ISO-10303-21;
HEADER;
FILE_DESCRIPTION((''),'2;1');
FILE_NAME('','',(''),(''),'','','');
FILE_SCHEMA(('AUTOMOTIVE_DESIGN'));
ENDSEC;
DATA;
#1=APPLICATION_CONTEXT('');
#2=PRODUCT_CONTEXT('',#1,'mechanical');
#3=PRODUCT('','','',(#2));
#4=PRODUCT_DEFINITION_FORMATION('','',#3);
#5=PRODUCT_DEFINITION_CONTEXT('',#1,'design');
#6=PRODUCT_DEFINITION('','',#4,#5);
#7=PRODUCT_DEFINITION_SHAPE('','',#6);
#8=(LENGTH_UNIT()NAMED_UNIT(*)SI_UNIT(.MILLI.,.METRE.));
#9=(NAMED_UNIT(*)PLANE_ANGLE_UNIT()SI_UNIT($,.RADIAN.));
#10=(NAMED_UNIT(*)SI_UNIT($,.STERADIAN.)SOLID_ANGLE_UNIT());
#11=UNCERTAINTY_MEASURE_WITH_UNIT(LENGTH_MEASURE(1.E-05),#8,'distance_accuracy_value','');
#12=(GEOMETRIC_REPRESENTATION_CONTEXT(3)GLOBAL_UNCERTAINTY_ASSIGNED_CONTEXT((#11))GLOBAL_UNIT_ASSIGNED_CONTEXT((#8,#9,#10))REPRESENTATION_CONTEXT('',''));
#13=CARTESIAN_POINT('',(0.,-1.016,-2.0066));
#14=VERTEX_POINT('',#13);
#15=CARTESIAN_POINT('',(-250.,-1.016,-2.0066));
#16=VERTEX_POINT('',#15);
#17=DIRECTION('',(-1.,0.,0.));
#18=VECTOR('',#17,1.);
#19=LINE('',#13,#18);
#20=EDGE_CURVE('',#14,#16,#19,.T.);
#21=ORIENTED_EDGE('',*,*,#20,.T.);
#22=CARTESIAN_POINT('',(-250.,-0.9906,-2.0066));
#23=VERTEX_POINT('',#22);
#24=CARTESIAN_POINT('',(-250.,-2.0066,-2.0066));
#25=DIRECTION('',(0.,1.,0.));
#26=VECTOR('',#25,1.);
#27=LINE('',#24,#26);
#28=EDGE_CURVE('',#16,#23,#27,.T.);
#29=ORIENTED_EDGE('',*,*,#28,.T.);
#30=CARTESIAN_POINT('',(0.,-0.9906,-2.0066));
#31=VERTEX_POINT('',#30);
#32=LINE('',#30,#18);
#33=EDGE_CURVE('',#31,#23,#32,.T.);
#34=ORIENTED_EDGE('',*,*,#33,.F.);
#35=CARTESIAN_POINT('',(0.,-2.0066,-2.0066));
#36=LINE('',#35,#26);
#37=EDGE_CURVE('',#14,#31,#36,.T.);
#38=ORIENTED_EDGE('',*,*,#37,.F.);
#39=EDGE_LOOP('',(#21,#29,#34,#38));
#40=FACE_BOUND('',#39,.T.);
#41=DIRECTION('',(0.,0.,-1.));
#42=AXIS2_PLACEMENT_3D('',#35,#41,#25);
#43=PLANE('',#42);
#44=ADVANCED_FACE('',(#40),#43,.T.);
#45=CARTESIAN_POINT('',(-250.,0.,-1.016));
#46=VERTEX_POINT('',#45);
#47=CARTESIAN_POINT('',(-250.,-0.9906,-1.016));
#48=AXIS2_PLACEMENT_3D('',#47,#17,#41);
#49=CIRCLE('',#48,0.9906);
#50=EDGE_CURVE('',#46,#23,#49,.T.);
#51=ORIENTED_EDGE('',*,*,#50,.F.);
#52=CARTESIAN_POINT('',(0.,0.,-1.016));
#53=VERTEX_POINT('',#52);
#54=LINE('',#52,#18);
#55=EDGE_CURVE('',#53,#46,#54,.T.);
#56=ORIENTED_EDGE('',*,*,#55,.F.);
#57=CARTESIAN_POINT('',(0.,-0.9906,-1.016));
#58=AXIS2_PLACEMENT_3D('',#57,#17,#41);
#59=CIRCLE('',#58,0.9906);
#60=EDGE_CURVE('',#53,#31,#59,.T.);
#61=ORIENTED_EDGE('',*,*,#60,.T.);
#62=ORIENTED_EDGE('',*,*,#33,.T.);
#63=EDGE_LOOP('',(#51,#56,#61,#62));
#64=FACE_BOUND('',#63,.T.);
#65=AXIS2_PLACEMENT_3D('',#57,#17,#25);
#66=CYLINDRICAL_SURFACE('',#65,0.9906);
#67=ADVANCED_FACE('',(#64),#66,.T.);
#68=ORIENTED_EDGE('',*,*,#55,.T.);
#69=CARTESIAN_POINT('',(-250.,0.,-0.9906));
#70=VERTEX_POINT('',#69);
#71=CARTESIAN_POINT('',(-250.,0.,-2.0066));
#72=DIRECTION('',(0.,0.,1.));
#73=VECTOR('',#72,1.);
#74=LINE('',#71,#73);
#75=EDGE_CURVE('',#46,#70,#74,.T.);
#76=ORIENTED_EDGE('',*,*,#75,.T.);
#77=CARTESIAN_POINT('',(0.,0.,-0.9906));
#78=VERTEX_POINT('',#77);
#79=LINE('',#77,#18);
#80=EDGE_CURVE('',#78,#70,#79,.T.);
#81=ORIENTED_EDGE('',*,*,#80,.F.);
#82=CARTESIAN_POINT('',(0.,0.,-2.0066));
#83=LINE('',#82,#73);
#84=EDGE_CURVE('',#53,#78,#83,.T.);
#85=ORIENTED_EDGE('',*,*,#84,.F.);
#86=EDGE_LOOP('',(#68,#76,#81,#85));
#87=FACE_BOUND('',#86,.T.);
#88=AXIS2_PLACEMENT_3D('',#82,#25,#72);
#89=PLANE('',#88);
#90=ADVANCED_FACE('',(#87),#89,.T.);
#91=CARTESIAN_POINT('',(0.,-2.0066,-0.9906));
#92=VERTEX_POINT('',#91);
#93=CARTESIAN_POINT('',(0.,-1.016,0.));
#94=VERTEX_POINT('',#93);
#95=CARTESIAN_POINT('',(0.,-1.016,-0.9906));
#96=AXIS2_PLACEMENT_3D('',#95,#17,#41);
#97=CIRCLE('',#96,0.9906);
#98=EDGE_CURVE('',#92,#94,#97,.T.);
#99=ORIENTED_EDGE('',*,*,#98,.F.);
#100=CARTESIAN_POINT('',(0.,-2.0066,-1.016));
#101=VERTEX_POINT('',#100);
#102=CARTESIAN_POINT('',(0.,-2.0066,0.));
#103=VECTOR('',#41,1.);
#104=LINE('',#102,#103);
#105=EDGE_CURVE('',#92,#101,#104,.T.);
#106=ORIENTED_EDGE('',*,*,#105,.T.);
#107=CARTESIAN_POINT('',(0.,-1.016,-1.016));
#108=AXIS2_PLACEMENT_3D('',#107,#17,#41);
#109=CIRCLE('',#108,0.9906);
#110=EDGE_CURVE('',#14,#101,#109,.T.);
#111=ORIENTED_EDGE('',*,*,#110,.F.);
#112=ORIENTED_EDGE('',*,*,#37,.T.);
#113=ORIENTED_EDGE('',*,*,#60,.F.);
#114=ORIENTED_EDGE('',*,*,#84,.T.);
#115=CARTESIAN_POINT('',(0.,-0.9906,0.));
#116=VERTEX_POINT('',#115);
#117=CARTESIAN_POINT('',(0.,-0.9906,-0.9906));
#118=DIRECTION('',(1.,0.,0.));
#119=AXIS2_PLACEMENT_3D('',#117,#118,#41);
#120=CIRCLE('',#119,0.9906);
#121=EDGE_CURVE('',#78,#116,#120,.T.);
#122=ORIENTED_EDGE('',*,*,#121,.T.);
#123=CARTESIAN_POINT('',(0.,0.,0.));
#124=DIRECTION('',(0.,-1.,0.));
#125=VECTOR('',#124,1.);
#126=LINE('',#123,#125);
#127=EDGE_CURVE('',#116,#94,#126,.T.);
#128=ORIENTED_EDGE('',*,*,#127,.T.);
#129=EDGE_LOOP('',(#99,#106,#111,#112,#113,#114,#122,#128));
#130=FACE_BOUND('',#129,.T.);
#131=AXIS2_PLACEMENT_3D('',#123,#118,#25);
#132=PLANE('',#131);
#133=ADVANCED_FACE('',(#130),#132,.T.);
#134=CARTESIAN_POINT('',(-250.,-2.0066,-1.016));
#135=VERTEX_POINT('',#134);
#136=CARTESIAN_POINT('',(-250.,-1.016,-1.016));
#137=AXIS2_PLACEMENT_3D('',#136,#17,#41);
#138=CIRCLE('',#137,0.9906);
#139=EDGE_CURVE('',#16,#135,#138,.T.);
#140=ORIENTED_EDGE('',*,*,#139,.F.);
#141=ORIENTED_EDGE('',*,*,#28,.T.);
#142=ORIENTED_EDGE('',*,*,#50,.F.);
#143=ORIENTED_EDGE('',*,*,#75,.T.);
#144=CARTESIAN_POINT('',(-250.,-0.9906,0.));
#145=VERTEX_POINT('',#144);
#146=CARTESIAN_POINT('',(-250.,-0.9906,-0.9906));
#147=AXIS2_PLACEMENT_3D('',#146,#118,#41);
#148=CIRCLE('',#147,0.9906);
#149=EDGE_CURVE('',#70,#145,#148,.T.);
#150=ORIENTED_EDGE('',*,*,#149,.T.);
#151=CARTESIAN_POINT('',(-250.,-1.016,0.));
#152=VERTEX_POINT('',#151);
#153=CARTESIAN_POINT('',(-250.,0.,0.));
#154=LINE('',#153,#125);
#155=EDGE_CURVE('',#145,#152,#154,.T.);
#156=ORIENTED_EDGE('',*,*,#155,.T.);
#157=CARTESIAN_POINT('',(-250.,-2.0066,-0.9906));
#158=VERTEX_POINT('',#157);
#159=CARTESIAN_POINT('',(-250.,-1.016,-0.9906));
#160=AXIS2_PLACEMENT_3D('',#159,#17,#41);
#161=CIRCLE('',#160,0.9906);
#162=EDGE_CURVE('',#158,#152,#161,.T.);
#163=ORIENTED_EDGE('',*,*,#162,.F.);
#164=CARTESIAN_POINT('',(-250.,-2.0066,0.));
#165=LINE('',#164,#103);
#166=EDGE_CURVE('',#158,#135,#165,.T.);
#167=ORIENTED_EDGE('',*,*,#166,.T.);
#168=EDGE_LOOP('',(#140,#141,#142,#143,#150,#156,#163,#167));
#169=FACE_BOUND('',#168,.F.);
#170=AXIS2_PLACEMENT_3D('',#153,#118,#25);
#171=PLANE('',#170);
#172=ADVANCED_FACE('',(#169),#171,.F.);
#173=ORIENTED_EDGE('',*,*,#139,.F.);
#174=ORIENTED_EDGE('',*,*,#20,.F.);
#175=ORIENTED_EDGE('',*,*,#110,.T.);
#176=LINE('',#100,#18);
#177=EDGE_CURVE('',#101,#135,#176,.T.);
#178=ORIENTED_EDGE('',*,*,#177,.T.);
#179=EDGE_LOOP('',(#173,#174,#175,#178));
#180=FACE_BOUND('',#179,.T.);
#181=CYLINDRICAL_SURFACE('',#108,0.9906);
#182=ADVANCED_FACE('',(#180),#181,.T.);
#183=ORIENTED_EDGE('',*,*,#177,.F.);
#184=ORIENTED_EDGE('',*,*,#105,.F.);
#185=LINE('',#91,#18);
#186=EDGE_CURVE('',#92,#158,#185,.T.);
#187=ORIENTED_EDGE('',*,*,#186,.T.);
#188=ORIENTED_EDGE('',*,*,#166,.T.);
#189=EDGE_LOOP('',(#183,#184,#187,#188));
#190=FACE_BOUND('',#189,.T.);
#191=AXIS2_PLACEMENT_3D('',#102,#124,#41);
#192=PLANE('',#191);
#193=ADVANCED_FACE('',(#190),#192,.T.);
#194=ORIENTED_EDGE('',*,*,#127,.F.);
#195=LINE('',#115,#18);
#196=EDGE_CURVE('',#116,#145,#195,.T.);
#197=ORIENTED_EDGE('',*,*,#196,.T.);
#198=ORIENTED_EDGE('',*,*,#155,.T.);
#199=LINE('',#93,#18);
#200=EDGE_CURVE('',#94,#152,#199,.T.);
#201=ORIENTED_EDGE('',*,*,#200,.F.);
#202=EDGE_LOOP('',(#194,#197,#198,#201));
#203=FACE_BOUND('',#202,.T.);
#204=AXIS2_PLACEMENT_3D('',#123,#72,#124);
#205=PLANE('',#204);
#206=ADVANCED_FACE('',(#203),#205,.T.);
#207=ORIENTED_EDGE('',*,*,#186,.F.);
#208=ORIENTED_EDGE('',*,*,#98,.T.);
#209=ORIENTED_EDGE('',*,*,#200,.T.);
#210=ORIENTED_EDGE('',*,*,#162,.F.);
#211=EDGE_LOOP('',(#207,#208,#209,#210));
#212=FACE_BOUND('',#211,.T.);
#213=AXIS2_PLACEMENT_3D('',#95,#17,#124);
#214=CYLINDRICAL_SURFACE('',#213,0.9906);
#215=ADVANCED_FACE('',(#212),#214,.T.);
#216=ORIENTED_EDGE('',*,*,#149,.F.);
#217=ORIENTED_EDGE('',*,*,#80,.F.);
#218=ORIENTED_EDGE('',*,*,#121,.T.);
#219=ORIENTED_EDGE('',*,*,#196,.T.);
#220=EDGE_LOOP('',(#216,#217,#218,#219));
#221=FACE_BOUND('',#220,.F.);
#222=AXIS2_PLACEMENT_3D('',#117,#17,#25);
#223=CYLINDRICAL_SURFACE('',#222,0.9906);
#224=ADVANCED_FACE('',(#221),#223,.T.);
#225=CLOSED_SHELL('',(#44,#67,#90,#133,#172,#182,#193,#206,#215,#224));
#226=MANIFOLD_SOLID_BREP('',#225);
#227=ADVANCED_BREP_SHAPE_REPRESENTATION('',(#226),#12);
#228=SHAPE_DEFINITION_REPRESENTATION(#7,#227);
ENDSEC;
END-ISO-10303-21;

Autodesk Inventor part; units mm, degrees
ref_plane "YZ Plane" through (0, 0, 0) normal (1, 0, 0) x (0, 1, 0)
ref_plane "XZ Plane" through (0, 0, 0) normal (0, 1, 0) x (-1, 0, 0)
ref_plane "XY Plane" through (0, 0, 0) normal (0, 0, 1) x (1, 0, 0)
sketch "Sketch1" plane through (0, 0, 0) normal (0, 1, 0) x (-1, 0, 0)
  arc A0 (-4, 0) -> (0, 0) centre (-2, 0.1626) ccw projected
  line L0 (0, 0) -> (-4, 0) projected
sketch "Sketch2" plane through (0, 0, 0) normal (1, 0, 0) x (0, 1, 0)
  line L0 (0, 0) -> (-2.0066, 0)
  line L1 (-2.0066, 0) -> (-2.0066, -2.0066)
  line L2 (-2.0066, -2.0066) -> (0, -2.0066)
  line L3 (0, -2.0066) -> (0, 0)
  dimension "d0" = 2.0066
  dimension "d1" = 2.0066
extrude "Extrusion1" add sketch "Sketch2" against normal blind 250
fillet "Fillet1" radius 0.9906 4 edges at (-125, 0, 0) (-125, -2.0066, 0) (-125, 0, -2.0066) (-125, -2.0066, -2.0066)
properties part number "LeverArm" material "Stainless Steel"
